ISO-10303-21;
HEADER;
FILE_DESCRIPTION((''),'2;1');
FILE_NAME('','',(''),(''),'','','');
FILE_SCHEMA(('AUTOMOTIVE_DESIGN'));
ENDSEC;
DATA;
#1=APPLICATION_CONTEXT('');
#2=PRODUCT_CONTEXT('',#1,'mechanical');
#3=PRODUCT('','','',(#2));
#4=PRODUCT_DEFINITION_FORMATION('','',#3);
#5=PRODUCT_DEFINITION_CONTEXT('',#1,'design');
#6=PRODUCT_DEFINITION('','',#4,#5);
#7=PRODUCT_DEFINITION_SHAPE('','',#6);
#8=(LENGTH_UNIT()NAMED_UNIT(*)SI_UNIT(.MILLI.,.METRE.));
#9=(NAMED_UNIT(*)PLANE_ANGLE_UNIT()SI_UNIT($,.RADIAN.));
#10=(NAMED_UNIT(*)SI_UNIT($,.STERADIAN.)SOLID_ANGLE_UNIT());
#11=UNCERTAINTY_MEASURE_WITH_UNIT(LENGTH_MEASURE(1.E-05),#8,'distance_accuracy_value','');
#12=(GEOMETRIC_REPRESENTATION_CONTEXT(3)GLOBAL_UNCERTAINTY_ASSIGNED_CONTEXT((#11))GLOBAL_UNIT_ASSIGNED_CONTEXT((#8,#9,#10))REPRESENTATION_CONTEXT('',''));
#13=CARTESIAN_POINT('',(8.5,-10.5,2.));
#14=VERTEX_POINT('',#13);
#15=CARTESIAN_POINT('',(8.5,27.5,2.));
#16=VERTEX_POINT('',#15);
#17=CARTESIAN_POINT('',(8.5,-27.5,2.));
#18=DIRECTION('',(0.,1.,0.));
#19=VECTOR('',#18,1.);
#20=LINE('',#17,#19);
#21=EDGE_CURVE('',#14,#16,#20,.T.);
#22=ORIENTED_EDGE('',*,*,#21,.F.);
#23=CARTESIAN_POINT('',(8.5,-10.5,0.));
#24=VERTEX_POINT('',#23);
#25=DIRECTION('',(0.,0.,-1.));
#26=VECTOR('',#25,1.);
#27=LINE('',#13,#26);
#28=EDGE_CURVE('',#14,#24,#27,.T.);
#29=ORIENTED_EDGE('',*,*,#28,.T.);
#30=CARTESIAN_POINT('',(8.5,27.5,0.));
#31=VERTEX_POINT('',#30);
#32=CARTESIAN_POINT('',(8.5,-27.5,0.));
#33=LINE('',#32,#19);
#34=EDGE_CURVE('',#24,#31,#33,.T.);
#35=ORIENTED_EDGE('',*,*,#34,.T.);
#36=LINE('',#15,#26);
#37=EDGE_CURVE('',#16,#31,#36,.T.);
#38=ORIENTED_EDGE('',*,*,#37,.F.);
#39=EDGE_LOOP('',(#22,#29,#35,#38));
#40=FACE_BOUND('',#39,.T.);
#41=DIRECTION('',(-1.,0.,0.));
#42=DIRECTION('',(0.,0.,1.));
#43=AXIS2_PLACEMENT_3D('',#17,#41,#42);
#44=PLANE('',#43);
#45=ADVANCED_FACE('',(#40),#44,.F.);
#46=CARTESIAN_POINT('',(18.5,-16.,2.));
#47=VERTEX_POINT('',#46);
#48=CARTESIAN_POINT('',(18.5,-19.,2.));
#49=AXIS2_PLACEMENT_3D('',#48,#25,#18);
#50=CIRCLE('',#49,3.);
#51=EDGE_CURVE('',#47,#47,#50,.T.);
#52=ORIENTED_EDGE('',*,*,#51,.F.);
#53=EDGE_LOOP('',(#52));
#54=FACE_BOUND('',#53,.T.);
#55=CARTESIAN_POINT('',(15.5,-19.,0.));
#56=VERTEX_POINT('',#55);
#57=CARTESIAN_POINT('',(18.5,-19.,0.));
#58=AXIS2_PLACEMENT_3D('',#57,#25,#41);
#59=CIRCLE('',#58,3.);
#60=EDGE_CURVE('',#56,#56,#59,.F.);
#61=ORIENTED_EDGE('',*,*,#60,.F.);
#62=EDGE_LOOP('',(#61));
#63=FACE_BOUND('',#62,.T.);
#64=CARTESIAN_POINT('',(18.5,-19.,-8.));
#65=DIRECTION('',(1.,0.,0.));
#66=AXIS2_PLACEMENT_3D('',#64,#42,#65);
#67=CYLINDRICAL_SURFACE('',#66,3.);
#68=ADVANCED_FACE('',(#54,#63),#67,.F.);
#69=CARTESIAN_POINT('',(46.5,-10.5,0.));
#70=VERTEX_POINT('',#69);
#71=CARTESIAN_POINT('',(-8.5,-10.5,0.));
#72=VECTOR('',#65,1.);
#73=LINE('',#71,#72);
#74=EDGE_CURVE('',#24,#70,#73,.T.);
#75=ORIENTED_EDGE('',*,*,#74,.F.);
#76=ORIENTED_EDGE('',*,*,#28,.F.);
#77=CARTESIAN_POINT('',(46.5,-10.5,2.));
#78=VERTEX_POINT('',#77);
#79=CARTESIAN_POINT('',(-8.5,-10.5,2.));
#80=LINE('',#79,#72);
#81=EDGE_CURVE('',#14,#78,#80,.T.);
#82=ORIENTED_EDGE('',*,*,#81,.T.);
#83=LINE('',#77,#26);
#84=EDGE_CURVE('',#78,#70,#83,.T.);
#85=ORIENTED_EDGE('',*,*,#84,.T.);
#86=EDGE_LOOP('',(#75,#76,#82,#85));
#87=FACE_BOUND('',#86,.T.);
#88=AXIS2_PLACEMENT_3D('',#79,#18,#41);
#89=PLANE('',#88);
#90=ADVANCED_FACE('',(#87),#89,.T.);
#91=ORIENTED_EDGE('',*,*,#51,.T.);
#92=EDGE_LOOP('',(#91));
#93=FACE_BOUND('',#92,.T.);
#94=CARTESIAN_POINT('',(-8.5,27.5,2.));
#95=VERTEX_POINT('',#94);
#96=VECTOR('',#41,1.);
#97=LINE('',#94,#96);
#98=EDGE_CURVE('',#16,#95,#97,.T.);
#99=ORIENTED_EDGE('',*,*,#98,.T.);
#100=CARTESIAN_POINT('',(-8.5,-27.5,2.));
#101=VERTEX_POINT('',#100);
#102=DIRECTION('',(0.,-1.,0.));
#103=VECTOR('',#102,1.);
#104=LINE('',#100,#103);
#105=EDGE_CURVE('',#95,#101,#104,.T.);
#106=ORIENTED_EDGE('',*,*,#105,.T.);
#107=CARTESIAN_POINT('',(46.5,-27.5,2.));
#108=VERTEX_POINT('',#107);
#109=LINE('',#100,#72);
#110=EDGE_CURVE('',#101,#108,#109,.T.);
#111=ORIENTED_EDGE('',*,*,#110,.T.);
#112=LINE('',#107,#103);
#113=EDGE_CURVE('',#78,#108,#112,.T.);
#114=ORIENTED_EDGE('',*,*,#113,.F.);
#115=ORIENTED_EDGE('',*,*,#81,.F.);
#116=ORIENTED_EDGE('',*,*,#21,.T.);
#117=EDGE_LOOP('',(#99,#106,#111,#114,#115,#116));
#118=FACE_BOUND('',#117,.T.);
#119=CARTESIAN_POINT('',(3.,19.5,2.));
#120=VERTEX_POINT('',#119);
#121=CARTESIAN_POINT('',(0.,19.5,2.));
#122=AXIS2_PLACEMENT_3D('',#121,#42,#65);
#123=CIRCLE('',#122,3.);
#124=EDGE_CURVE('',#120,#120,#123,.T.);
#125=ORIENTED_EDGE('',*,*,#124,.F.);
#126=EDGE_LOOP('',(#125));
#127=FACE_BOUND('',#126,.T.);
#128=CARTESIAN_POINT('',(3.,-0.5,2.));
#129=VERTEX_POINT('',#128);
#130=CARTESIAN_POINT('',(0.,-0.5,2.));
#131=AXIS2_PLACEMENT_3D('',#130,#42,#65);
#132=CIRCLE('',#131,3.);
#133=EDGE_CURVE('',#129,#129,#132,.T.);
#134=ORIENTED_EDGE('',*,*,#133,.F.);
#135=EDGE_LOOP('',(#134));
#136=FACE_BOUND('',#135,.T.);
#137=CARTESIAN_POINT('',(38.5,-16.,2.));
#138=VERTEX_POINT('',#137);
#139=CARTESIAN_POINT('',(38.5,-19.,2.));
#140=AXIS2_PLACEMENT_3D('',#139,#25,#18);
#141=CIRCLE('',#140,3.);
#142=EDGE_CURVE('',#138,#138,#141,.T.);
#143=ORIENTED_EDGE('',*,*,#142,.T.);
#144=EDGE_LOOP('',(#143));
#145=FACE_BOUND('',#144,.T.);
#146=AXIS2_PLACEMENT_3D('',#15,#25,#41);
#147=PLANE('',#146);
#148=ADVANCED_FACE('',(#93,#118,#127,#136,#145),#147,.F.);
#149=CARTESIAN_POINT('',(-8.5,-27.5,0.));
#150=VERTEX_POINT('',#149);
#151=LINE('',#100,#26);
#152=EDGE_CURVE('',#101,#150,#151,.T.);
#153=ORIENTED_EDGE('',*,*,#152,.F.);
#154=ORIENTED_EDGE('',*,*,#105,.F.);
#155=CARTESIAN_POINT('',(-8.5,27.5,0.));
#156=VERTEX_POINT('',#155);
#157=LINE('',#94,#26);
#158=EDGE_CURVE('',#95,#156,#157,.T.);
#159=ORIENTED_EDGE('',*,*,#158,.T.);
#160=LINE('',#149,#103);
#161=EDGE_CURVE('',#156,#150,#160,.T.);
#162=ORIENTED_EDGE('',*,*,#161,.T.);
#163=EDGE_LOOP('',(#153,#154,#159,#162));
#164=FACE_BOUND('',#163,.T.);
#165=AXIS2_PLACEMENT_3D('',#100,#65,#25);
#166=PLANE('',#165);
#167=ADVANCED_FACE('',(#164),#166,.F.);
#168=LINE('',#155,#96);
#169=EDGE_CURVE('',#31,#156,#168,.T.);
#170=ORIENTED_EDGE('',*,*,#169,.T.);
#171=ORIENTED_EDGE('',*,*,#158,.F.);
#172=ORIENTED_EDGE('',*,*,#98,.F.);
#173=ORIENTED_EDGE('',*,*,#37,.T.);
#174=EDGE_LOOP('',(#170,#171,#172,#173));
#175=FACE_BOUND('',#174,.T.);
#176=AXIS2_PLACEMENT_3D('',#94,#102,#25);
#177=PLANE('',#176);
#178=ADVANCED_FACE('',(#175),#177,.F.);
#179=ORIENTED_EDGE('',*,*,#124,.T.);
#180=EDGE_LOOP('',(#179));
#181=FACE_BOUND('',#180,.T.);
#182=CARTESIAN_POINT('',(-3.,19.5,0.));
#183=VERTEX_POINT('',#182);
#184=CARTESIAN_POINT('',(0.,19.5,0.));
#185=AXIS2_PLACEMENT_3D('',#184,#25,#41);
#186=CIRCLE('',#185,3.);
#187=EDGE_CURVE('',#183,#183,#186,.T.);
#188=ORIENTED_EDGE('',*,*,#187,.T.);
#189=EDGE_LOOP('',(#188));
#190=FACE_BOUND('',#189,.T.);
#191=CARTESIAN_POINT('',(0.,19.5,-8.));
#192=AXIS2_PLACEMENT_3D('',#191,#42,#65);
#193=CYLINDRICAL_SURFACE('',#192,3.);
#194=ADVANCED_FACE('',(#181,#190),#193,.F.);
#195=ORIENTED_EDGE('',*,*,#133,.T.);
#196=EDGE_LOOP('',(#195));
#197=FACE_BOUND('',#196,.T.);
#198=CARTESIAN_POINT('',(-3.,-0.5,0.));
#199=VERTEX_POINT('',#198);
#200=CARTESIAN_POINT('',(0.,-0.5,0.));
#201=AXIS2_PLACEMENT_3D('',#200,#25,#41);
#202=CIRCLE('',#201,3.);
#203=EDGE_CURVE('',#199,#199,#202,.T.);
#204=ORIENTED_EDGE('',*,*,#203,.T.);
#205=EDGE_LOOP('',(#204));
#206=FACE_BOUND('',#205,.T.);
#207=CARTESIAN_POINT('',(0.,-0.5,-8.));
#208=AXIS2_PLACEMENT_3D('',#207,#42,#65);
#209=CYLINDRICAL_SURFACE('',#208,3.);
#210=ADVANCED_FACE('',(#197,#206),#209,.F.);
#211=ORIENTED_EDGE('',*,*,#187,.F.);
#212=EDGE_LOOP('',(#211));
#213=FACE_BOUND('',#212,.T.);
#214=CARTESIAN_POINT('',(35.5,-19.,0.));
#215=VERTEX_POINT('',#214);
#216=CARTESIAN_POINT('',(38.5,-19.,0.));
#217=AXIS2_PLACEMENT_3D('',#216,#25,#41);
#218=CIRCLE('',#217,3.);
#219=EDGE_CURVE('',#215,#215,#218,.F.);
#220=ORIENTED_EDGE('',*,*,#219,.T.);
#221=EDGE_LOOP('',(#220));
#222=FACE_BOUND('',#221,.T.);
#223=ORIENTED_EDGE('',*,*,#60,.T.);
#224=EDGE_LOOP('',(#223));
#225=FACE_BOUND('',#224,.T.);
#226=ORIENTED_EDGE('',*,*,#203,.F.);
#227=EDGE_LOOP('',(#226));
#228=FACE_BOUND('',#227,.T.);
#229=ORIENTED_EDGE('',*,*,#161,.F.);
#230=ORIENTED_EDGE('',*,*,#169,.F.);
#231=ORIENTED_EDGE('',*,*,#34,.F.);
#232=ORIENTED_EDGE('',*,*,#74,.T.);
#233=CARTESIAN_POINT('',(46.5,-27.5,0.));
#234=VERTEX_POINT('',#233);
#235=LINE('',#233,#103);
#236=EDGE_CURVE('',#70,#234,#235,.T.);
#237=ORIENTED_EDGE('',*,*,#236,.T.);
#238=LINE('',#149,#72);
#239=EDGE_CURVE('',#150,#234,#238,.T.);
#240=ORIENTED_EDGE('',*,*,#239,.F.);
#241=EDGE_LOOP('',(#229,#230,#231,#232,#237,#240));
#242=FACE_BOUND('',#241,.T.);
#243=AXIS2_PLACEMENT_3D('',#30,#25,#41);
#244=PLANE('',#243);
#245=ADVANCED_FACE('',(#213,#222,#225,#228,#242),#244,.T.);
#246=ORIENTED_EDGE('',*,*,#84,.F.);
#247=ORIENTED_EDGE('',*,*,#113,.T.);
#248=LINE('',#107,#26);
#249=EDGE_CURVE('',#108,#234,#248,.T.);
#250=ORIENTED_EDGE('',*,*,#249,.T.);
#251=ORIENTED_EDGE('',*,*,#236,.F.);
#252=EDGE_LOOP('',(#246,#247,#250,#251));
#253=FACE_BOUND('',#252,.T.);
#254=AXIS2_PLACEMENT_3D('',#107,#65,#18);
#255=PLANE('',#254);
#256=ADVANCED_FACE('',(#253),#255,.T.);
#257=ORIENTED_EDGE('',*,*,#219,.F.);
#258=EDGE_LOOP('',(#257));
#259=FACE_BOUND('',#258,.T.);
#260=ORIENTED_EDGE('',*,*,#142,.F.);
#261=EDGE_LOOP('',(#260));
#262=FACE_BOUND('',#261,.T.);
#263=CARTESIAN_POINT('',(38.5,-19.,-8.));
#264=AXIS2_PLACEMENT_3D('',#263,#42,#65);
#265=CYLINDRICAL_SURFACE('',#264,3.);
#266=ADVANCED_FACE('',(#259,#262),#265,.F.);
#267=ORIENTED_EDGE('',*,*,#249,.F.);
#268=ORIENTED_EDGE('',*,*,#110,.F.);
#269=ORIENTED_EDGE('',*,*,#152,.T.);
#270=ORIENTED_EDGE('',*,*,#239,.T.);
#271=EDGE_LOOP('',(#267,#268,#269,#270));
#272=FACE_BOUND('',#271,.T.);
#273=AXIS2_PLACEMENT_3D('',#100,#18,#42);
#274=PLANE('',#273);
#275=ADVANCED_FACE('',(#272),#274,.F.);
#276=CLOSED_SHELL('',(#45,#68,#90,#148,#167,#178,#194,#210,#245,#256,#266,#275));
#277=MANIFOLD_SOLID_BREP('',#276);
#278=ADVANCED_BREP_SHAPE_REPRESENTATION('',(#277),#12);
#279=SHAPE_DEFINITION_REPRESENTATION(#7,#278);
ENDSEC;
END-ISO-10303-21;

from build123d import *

# Parameters (mm, degrees)
SKETCH_1_W          = 17
SKETCH_1_H          = 55
EXTRUDE_1_DEPTH     = 2
SKETCH_2_R          = 3
CUT_EXTRUDE_1_DEPTH = 10


with BuildPart() as part:
    # 草图1 → 凸台-拉伸1 (new body)
    with BuildSketch(Plane.XY):
        Rectangle(SKETCH_1_W, SKETCH_1_H)
    extrude_1 = extrude(amount=EXTRUDE_1_DEPTH)

    # 镜向1: 凸台-拉伸1 across plane
    add(extrude_1.mirror(Plane(origin=(9.5, -9.5, 0), x_dir=(0, 0, 1), z_dir=(0.7071067811865488, -0.7071067811865464, 0))))

    # 草图2 → 切除-拉伸1 (cut)
    with BuildSketch(Plane.XY.offset(2)):
        with Locations((0, 19.5)):
            Circle(SKETCH_2_R)
        with Locations((0, -0.5)):
            Circle(SKETCH_2_R)
    cut_extrude_1 = extrude(amount=-CUT_EXTRUDE_1_DEPTH, mode=Mode.SUBTRACT)

    # 镜向2: 切除-拉伸1 across plane
    add(cut_extrude_1.mirror(Plane(origin=(9.5, -9.5, 0), x_dir=(0, 0, 1), z_dir=(0.7071067811865479, -0.7071067811865471, 0))), mode=Mode.SUBTRACT)


solid = part.part
